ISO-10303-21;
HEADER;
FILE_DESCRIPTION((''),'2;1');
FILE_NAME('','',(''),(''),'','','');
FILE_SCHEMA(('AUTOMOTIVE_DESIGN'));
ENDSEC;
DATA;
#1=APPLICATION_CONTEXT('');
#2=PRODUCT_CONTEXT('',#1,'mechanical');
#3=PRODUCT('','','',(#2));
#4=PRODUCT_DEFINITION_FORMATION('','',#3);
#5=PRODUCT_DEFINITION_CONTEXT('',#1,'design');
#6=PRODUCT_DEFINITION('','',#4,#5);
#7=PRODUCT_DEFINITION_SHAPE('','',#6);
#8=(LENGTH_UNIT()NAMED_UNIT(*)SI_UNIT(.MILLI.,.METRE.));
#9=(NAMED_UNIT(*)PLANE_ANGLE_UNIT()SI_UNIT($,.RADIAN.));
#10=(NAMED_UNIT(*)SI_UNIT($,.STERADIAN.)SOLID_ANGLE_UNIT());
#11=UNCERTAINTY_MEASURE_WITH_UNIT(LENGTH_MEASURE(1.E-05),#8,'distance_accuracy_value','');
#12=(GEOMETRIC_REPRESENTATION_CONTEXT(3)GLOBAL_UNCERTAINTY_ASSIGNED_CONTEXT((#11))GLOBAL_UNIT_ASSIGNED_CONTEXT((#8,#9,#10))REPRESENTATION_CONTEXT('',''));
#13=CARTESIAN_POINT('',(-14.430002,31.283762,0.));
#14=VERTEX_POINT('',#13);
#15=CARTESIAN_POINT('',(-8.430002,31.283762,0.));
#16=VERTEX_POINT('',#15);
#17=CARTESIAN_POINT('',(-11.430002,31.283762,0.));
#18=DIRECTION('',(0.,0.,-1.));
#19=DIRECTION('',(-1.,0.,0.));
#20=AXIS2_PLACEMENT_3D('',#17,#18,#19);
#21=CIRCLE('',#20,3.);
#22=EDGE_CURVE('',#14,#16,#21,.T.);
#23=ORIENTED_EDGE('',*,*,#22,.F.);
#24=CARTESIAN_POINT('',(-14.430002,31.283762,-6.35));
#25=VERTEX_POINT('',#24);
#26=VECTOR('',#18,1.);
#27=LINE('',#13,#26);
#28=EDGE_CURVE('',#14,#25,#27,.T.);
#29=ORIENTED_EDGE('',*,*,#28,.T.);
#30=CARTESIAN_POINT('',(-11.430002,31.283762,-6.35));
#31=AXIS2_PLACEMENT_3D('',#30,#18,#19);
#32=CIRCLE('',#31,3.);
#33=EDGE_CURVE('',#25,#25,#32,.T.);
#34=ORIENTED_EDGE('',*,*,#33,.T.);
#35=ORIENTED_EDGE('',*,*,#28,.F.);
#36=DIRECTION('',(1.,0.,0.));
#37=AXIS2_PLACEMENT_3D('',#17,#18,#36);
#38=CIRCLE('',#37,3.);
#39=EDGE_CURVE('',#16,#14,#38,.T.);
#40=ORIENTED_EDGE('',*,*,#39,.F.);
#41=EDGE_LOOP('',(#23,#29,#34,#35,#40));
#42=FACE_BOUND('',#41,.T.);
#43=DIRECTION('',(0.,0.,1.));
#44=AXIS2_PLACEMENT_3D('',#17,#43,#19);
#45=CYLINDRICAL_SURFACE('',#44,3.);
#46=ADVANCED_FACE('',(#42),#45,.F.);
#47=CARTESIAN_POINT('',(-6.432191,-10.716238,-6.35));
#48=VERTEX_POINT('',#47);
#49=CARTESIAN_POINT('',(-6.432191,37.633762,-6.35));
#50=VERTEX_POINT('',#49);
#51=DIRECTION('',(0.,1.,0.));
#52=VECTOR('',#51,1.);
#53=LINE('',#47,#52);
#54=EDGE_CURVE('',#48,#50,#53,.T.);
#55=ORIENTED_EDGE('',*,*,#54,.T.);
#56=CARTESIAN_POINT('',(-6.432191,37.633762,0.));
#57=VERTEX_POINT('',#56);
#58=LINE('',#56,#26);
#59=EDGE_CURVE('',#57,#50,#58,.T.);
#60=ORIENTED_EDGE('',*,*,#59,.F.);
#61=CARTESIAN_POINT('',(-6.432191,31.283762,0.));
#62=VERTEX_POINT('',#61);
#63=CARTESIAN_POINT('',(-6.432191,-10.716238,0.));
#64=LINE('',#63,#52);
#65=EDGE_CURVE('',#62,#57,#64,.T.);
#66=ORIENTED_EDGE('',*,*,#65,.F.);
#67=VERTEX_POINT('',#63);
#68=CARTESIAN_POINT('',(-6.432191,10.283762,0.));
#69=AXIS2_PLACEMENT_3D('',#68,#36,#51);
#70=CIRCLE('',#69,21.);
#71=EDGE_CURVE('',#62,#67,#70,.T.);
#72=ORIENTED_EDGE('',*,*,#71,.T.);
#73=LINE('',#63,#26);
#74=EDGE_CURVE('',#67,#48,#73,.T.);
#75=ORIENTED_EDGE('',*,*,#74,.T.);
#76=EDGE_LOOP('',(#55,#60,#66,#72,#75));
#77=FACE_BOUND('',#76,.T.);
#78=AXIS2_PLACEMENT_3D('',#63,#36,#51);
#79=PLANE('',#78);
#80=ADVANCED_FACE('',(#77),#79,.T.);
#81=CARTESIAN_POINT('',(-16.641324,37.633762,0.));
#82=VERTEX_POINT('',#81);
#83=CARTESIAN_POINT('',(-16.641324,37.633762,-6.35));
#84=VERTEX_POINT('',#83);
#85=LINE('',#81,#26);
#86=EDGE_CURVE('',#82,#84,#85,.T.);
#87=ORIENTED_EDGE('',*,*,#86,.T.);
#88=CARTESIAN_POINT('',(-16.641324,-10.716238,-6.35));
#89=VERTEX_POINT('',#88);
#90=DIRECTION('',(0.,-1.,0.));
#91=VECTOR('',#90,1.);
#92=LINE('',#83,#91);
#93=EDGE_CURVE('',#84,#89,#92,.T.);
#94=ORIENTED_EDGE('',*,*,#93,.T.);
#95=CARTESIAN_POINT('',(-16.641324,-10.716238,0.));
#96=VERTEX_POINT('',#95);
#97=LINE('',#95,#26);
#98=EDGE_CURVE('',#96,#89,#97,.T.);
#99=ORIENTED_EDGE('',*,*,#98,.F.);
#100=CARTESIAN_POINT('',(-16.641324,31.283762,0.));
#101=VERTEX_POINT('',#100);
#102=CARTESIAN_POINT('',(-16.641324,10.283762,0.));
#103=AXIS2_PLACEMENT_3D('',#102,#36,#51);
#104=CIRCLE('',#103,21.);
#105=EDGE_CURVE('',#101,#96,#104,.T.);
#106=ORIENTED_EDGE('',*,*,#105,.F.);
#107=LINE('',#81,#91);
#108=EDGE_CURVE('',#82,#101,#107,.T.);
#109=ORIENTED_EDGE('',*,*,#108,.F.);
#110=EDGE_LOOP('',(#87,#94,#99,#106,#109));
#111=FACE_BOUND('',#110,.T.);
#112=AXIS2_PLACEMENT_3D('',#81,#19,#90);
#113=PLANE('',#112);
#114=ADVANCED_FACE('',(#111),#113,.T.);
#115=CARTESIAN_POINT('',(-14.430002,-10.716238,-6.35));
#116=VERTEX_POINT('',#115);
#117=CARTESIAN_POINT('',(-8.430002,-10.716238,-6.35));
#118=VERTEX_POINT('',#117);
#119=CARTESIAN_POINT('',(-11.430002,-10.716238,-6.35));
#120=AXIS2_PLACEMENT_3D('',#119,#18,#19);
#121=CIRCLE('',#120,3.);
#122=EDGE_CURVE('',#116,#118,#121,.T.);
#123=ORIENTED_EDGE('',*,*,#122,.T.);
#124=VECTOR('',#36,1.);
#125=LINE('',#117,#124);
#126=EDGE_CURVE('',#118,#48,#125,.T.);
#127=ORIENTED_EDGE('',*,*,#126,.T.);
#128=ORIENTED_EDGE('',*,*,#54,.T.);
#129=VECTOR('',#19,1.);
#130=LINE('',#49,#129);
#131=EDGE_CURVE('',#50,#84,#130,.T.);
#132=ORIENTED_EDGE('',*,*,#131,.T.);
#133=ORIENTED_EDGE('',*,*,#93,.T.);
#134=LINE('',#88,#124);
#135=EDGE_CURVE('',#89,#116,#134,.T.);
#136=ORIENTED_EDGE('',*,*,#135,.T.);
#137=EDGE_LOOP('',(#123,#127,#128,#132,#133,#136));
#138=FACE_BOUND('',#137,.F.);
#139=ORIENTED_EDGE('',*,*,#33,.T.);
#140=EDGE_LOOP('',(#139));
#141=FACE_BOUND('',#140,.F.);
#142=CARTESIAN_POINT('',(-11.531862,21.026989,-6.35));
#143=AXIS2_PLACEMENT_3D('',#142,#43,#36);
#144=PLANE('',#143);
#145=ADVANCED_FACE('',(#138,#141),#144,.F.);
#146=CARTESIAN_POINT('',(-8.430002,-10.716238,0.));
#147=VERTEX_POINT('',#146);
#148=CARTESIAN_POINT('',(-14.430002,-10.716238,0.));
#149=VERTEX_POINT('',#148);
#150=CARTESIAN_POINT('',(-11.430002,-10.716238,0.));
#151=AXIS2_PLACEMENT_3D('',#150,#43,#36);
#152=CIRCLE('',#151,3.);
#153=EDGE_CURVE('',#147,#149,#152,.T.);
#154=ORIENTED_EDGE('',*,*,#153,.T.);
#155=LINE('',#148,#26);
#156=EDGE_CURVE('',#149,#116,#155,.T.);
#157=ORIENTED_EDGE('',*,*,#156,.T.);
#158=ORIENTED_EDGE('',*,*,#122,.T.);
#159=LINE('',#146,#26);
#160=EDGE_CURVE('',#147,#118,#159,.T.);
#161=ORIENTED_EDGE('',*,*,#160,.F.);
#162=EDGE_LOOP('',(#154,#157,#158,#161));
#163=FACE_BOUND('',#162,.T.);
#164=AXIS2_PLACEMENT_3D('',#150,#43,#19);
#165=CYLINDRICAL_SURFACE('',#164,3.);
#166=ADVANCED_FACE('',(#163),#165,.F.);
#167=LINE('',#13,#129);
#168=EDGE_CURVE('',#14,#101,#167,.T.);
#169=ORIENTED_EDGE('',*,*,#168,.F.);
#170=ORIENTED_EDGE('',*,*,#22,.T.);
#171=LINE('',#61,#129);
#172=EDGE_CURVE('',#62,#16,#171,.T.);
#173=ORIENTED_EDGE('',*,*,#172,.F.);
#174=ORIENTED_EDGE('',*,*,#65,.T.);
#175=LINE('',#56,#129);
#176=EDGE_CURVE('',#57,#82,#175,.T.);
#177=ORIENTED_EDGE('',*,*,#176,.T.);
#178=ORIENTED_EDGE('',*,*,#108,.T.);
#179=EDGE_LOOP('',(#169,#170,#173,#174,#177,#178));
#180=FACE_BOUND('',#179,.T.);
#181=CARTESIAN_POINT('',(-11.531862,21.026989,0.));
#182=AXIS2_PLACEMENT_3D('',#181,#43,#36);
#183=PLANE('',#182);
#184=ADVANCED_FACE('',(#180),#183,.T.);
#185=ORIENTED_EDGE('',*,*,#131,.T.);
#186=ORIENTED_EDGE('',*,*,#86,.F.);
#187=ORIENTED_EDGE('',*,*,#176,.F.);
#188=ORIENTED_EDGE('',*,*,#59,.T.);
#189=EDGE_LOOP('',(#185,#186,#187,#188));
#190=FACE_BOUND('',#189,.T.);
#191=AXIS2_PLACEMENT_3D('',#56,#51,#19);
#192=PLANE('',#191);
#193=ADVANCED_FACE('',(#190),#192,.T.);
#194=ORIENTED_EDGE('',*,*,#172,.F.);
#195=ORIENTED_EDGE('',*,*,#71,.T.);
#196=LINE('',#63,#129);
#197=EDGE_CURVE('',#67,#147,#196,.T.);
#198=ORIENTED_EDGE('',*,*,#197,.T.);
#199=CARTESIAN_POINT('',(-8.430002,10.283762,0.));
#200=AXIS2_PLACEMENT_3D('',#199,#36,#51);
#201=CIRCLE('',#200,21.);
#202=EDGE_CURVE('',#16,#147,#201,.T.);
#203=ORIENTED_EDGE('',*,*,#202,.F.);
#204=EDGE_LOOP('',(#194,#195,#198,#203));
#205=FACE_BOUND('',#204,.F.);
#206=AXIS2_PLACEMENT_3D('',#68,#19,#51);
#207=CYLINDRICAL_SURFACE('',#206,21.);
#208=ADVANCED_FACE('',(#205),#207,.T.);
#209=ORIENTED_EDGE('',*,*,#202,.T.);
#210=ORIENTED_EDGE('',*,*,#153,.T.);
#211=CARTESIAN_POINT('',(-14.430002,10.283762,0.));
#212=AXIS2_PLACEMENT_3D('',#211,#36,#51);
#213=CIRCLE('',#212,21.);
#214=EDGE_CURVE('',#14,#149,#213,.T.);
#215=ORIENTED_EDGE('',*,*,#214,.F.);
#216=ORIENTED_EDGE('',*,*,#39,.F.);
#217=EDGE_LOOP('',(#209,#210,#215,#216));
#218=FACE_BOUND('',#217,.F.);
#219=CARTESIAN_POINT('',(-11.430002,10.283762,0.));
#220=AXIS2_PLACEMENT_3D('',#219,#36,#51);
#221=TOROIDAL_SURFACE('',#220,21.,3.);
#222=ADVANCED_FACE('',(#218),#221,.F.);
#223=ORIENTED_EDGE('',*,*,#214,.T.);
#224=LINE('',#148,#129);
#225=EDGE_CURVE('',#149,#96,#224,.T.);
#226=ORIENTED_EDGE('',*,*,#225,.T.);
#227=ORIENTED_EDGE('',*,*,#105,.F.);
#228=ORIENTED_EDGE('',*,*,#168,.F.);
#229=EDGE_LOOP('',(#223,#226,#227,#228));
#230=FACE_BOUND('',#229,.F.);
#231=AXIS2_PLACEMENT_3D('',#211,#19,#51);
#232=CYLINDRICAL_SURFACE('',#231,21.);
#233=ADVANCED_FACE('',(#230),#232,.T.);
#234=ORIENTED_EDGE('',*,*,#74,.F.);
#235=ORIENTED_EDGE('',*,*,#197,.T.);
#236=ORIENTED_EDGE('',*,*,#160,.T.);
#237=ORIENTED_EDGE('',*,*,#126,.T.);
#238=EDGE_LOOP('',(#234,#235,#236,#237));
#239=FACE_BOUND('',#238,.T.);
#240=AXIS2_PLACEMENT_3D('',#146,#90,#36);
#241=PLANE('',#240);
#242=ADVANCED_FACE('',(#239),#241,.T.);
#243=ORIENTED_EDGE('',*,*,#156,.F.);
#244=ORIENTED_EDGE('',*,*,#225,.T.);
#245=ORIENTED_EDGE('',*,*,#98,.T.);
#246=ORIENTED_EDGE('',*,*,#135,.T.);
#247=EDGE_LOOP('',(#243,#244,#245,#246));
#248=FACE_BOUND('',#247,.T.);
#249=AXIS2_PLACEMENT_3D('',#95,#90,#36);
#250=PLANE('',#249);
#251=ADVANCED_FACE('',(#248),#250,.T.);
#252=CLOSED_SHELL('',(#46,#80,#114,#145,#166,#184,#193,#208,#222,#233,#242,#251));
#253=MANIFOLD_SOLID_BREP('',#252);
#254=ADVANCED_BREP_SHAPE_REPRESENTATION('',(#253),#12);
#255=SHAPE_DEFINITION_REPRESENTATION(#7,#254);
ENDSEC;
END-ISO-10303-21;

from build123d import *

# Parameters (mm, degrees)
F1_ANGLE = 180
F2_DEPTH = 6.35


with BuildPart() as f1:
    # F0 (on Top) → F1 (revolve)
    with BuildSketch(Plane.XY):
        with BuildLine():
            Line((-6.4321910031, 31.2837616578), (-8.4300018176, 31.2837616578))
            ThreePointArc((-8.4300018176, 31.2837616578), (-11.4300018176, 28.2837616578), (-14.4300018176, 31.2837616578))
            Line((-14.4300018176, 31.2837616578), (-16.641324386, 31.2837616578))
            Line((-16.641324386, 31.2837616578), (-16.641324386, 10.2837616578))
            Line((-16.641324386, 10.2837616578), (-6.4321910031, 10.2837616578))
            Line((-6.4321910031, 10.2837616578), (-6.4321910031, 31.2837616578))
        make_face()
    revolve(axis=Axis((-11.5367576946, 10.2837616578, 0), (1, 0, 0)), revolution_arc=F1_ANGLE)

    # F0 (on Top) → F2 (join)
    with BuildSketch(Plane.XY):
        with BuildLine():
            Line((-6.4321910031, 31.2837616578), (-8.4300018176, 31.2837616578))
            ThreePointArc((-8.4300018176, 31.2837616578), (-11.4300018176, 28.2837616578), (-14.4300018176, 31.2837616578))
            Line((-14.4300018176, 31.2837616578), (-16.641324386, 31.2837616578))
            Line((-16.641324386, 31.2837616578), (-16.641324386, 10.2837616578))
            Line((-16.641324386, 10.2837616578), (-6.4321910031, 10.2837616578))
            Line((-6.4321910031, 10.2837616578), (-6.4321910031, 31.2837616578))
        make_face()
        with BuildLine():
            Line((-6.4321910031, -10.7162383422), (-6.4321910031, 10.2837616578))
            Line((-6.4321910031, 10.2837616578), (-16.641324386, 10.2837616578))
            Line((-16.641324386, 10.2837616578), (-16.641324386, -10.7162383422))
            Line((-16.641324386, -10.7162383422), (-14.4300018176, -10.7162383422))
            ThreePointArc((-14.4300018176, -10.7162383422), (-11.4300018176, -7.7162383422), (-8.4300018176, -10.7162383422))
            Line((-8.4300018176, -10.7162383422), (-6.4321910031, -10.7162383422))
        make_face()
        with BuildLine():
            ThreePointArc((-14.4300018176, 31.2837616578), (-11.4300018176, 34.2837616578), (-8.4300018176, 31.2837616578))
            Line((-8.4300018176, 31.2837616578), (-6.4321910031, 31.2837616578))
            Line((-6.4321910031, 31.2837616578), (-6.4321910031, 37.6337616578))
            Line((-6.4321910031, 37.6337616578), (-16.641324386, 37.6337616578))
            Line((-16.641324386, 37.6337616578), (-16.641324386, 31.2837616578))
            Line((-16.641324386, 31.2837616578), (-14.4300018176, 31.2837616578))
        make_face()
    extrude(amount=-F2_DEPTH)


solid = f1.part
